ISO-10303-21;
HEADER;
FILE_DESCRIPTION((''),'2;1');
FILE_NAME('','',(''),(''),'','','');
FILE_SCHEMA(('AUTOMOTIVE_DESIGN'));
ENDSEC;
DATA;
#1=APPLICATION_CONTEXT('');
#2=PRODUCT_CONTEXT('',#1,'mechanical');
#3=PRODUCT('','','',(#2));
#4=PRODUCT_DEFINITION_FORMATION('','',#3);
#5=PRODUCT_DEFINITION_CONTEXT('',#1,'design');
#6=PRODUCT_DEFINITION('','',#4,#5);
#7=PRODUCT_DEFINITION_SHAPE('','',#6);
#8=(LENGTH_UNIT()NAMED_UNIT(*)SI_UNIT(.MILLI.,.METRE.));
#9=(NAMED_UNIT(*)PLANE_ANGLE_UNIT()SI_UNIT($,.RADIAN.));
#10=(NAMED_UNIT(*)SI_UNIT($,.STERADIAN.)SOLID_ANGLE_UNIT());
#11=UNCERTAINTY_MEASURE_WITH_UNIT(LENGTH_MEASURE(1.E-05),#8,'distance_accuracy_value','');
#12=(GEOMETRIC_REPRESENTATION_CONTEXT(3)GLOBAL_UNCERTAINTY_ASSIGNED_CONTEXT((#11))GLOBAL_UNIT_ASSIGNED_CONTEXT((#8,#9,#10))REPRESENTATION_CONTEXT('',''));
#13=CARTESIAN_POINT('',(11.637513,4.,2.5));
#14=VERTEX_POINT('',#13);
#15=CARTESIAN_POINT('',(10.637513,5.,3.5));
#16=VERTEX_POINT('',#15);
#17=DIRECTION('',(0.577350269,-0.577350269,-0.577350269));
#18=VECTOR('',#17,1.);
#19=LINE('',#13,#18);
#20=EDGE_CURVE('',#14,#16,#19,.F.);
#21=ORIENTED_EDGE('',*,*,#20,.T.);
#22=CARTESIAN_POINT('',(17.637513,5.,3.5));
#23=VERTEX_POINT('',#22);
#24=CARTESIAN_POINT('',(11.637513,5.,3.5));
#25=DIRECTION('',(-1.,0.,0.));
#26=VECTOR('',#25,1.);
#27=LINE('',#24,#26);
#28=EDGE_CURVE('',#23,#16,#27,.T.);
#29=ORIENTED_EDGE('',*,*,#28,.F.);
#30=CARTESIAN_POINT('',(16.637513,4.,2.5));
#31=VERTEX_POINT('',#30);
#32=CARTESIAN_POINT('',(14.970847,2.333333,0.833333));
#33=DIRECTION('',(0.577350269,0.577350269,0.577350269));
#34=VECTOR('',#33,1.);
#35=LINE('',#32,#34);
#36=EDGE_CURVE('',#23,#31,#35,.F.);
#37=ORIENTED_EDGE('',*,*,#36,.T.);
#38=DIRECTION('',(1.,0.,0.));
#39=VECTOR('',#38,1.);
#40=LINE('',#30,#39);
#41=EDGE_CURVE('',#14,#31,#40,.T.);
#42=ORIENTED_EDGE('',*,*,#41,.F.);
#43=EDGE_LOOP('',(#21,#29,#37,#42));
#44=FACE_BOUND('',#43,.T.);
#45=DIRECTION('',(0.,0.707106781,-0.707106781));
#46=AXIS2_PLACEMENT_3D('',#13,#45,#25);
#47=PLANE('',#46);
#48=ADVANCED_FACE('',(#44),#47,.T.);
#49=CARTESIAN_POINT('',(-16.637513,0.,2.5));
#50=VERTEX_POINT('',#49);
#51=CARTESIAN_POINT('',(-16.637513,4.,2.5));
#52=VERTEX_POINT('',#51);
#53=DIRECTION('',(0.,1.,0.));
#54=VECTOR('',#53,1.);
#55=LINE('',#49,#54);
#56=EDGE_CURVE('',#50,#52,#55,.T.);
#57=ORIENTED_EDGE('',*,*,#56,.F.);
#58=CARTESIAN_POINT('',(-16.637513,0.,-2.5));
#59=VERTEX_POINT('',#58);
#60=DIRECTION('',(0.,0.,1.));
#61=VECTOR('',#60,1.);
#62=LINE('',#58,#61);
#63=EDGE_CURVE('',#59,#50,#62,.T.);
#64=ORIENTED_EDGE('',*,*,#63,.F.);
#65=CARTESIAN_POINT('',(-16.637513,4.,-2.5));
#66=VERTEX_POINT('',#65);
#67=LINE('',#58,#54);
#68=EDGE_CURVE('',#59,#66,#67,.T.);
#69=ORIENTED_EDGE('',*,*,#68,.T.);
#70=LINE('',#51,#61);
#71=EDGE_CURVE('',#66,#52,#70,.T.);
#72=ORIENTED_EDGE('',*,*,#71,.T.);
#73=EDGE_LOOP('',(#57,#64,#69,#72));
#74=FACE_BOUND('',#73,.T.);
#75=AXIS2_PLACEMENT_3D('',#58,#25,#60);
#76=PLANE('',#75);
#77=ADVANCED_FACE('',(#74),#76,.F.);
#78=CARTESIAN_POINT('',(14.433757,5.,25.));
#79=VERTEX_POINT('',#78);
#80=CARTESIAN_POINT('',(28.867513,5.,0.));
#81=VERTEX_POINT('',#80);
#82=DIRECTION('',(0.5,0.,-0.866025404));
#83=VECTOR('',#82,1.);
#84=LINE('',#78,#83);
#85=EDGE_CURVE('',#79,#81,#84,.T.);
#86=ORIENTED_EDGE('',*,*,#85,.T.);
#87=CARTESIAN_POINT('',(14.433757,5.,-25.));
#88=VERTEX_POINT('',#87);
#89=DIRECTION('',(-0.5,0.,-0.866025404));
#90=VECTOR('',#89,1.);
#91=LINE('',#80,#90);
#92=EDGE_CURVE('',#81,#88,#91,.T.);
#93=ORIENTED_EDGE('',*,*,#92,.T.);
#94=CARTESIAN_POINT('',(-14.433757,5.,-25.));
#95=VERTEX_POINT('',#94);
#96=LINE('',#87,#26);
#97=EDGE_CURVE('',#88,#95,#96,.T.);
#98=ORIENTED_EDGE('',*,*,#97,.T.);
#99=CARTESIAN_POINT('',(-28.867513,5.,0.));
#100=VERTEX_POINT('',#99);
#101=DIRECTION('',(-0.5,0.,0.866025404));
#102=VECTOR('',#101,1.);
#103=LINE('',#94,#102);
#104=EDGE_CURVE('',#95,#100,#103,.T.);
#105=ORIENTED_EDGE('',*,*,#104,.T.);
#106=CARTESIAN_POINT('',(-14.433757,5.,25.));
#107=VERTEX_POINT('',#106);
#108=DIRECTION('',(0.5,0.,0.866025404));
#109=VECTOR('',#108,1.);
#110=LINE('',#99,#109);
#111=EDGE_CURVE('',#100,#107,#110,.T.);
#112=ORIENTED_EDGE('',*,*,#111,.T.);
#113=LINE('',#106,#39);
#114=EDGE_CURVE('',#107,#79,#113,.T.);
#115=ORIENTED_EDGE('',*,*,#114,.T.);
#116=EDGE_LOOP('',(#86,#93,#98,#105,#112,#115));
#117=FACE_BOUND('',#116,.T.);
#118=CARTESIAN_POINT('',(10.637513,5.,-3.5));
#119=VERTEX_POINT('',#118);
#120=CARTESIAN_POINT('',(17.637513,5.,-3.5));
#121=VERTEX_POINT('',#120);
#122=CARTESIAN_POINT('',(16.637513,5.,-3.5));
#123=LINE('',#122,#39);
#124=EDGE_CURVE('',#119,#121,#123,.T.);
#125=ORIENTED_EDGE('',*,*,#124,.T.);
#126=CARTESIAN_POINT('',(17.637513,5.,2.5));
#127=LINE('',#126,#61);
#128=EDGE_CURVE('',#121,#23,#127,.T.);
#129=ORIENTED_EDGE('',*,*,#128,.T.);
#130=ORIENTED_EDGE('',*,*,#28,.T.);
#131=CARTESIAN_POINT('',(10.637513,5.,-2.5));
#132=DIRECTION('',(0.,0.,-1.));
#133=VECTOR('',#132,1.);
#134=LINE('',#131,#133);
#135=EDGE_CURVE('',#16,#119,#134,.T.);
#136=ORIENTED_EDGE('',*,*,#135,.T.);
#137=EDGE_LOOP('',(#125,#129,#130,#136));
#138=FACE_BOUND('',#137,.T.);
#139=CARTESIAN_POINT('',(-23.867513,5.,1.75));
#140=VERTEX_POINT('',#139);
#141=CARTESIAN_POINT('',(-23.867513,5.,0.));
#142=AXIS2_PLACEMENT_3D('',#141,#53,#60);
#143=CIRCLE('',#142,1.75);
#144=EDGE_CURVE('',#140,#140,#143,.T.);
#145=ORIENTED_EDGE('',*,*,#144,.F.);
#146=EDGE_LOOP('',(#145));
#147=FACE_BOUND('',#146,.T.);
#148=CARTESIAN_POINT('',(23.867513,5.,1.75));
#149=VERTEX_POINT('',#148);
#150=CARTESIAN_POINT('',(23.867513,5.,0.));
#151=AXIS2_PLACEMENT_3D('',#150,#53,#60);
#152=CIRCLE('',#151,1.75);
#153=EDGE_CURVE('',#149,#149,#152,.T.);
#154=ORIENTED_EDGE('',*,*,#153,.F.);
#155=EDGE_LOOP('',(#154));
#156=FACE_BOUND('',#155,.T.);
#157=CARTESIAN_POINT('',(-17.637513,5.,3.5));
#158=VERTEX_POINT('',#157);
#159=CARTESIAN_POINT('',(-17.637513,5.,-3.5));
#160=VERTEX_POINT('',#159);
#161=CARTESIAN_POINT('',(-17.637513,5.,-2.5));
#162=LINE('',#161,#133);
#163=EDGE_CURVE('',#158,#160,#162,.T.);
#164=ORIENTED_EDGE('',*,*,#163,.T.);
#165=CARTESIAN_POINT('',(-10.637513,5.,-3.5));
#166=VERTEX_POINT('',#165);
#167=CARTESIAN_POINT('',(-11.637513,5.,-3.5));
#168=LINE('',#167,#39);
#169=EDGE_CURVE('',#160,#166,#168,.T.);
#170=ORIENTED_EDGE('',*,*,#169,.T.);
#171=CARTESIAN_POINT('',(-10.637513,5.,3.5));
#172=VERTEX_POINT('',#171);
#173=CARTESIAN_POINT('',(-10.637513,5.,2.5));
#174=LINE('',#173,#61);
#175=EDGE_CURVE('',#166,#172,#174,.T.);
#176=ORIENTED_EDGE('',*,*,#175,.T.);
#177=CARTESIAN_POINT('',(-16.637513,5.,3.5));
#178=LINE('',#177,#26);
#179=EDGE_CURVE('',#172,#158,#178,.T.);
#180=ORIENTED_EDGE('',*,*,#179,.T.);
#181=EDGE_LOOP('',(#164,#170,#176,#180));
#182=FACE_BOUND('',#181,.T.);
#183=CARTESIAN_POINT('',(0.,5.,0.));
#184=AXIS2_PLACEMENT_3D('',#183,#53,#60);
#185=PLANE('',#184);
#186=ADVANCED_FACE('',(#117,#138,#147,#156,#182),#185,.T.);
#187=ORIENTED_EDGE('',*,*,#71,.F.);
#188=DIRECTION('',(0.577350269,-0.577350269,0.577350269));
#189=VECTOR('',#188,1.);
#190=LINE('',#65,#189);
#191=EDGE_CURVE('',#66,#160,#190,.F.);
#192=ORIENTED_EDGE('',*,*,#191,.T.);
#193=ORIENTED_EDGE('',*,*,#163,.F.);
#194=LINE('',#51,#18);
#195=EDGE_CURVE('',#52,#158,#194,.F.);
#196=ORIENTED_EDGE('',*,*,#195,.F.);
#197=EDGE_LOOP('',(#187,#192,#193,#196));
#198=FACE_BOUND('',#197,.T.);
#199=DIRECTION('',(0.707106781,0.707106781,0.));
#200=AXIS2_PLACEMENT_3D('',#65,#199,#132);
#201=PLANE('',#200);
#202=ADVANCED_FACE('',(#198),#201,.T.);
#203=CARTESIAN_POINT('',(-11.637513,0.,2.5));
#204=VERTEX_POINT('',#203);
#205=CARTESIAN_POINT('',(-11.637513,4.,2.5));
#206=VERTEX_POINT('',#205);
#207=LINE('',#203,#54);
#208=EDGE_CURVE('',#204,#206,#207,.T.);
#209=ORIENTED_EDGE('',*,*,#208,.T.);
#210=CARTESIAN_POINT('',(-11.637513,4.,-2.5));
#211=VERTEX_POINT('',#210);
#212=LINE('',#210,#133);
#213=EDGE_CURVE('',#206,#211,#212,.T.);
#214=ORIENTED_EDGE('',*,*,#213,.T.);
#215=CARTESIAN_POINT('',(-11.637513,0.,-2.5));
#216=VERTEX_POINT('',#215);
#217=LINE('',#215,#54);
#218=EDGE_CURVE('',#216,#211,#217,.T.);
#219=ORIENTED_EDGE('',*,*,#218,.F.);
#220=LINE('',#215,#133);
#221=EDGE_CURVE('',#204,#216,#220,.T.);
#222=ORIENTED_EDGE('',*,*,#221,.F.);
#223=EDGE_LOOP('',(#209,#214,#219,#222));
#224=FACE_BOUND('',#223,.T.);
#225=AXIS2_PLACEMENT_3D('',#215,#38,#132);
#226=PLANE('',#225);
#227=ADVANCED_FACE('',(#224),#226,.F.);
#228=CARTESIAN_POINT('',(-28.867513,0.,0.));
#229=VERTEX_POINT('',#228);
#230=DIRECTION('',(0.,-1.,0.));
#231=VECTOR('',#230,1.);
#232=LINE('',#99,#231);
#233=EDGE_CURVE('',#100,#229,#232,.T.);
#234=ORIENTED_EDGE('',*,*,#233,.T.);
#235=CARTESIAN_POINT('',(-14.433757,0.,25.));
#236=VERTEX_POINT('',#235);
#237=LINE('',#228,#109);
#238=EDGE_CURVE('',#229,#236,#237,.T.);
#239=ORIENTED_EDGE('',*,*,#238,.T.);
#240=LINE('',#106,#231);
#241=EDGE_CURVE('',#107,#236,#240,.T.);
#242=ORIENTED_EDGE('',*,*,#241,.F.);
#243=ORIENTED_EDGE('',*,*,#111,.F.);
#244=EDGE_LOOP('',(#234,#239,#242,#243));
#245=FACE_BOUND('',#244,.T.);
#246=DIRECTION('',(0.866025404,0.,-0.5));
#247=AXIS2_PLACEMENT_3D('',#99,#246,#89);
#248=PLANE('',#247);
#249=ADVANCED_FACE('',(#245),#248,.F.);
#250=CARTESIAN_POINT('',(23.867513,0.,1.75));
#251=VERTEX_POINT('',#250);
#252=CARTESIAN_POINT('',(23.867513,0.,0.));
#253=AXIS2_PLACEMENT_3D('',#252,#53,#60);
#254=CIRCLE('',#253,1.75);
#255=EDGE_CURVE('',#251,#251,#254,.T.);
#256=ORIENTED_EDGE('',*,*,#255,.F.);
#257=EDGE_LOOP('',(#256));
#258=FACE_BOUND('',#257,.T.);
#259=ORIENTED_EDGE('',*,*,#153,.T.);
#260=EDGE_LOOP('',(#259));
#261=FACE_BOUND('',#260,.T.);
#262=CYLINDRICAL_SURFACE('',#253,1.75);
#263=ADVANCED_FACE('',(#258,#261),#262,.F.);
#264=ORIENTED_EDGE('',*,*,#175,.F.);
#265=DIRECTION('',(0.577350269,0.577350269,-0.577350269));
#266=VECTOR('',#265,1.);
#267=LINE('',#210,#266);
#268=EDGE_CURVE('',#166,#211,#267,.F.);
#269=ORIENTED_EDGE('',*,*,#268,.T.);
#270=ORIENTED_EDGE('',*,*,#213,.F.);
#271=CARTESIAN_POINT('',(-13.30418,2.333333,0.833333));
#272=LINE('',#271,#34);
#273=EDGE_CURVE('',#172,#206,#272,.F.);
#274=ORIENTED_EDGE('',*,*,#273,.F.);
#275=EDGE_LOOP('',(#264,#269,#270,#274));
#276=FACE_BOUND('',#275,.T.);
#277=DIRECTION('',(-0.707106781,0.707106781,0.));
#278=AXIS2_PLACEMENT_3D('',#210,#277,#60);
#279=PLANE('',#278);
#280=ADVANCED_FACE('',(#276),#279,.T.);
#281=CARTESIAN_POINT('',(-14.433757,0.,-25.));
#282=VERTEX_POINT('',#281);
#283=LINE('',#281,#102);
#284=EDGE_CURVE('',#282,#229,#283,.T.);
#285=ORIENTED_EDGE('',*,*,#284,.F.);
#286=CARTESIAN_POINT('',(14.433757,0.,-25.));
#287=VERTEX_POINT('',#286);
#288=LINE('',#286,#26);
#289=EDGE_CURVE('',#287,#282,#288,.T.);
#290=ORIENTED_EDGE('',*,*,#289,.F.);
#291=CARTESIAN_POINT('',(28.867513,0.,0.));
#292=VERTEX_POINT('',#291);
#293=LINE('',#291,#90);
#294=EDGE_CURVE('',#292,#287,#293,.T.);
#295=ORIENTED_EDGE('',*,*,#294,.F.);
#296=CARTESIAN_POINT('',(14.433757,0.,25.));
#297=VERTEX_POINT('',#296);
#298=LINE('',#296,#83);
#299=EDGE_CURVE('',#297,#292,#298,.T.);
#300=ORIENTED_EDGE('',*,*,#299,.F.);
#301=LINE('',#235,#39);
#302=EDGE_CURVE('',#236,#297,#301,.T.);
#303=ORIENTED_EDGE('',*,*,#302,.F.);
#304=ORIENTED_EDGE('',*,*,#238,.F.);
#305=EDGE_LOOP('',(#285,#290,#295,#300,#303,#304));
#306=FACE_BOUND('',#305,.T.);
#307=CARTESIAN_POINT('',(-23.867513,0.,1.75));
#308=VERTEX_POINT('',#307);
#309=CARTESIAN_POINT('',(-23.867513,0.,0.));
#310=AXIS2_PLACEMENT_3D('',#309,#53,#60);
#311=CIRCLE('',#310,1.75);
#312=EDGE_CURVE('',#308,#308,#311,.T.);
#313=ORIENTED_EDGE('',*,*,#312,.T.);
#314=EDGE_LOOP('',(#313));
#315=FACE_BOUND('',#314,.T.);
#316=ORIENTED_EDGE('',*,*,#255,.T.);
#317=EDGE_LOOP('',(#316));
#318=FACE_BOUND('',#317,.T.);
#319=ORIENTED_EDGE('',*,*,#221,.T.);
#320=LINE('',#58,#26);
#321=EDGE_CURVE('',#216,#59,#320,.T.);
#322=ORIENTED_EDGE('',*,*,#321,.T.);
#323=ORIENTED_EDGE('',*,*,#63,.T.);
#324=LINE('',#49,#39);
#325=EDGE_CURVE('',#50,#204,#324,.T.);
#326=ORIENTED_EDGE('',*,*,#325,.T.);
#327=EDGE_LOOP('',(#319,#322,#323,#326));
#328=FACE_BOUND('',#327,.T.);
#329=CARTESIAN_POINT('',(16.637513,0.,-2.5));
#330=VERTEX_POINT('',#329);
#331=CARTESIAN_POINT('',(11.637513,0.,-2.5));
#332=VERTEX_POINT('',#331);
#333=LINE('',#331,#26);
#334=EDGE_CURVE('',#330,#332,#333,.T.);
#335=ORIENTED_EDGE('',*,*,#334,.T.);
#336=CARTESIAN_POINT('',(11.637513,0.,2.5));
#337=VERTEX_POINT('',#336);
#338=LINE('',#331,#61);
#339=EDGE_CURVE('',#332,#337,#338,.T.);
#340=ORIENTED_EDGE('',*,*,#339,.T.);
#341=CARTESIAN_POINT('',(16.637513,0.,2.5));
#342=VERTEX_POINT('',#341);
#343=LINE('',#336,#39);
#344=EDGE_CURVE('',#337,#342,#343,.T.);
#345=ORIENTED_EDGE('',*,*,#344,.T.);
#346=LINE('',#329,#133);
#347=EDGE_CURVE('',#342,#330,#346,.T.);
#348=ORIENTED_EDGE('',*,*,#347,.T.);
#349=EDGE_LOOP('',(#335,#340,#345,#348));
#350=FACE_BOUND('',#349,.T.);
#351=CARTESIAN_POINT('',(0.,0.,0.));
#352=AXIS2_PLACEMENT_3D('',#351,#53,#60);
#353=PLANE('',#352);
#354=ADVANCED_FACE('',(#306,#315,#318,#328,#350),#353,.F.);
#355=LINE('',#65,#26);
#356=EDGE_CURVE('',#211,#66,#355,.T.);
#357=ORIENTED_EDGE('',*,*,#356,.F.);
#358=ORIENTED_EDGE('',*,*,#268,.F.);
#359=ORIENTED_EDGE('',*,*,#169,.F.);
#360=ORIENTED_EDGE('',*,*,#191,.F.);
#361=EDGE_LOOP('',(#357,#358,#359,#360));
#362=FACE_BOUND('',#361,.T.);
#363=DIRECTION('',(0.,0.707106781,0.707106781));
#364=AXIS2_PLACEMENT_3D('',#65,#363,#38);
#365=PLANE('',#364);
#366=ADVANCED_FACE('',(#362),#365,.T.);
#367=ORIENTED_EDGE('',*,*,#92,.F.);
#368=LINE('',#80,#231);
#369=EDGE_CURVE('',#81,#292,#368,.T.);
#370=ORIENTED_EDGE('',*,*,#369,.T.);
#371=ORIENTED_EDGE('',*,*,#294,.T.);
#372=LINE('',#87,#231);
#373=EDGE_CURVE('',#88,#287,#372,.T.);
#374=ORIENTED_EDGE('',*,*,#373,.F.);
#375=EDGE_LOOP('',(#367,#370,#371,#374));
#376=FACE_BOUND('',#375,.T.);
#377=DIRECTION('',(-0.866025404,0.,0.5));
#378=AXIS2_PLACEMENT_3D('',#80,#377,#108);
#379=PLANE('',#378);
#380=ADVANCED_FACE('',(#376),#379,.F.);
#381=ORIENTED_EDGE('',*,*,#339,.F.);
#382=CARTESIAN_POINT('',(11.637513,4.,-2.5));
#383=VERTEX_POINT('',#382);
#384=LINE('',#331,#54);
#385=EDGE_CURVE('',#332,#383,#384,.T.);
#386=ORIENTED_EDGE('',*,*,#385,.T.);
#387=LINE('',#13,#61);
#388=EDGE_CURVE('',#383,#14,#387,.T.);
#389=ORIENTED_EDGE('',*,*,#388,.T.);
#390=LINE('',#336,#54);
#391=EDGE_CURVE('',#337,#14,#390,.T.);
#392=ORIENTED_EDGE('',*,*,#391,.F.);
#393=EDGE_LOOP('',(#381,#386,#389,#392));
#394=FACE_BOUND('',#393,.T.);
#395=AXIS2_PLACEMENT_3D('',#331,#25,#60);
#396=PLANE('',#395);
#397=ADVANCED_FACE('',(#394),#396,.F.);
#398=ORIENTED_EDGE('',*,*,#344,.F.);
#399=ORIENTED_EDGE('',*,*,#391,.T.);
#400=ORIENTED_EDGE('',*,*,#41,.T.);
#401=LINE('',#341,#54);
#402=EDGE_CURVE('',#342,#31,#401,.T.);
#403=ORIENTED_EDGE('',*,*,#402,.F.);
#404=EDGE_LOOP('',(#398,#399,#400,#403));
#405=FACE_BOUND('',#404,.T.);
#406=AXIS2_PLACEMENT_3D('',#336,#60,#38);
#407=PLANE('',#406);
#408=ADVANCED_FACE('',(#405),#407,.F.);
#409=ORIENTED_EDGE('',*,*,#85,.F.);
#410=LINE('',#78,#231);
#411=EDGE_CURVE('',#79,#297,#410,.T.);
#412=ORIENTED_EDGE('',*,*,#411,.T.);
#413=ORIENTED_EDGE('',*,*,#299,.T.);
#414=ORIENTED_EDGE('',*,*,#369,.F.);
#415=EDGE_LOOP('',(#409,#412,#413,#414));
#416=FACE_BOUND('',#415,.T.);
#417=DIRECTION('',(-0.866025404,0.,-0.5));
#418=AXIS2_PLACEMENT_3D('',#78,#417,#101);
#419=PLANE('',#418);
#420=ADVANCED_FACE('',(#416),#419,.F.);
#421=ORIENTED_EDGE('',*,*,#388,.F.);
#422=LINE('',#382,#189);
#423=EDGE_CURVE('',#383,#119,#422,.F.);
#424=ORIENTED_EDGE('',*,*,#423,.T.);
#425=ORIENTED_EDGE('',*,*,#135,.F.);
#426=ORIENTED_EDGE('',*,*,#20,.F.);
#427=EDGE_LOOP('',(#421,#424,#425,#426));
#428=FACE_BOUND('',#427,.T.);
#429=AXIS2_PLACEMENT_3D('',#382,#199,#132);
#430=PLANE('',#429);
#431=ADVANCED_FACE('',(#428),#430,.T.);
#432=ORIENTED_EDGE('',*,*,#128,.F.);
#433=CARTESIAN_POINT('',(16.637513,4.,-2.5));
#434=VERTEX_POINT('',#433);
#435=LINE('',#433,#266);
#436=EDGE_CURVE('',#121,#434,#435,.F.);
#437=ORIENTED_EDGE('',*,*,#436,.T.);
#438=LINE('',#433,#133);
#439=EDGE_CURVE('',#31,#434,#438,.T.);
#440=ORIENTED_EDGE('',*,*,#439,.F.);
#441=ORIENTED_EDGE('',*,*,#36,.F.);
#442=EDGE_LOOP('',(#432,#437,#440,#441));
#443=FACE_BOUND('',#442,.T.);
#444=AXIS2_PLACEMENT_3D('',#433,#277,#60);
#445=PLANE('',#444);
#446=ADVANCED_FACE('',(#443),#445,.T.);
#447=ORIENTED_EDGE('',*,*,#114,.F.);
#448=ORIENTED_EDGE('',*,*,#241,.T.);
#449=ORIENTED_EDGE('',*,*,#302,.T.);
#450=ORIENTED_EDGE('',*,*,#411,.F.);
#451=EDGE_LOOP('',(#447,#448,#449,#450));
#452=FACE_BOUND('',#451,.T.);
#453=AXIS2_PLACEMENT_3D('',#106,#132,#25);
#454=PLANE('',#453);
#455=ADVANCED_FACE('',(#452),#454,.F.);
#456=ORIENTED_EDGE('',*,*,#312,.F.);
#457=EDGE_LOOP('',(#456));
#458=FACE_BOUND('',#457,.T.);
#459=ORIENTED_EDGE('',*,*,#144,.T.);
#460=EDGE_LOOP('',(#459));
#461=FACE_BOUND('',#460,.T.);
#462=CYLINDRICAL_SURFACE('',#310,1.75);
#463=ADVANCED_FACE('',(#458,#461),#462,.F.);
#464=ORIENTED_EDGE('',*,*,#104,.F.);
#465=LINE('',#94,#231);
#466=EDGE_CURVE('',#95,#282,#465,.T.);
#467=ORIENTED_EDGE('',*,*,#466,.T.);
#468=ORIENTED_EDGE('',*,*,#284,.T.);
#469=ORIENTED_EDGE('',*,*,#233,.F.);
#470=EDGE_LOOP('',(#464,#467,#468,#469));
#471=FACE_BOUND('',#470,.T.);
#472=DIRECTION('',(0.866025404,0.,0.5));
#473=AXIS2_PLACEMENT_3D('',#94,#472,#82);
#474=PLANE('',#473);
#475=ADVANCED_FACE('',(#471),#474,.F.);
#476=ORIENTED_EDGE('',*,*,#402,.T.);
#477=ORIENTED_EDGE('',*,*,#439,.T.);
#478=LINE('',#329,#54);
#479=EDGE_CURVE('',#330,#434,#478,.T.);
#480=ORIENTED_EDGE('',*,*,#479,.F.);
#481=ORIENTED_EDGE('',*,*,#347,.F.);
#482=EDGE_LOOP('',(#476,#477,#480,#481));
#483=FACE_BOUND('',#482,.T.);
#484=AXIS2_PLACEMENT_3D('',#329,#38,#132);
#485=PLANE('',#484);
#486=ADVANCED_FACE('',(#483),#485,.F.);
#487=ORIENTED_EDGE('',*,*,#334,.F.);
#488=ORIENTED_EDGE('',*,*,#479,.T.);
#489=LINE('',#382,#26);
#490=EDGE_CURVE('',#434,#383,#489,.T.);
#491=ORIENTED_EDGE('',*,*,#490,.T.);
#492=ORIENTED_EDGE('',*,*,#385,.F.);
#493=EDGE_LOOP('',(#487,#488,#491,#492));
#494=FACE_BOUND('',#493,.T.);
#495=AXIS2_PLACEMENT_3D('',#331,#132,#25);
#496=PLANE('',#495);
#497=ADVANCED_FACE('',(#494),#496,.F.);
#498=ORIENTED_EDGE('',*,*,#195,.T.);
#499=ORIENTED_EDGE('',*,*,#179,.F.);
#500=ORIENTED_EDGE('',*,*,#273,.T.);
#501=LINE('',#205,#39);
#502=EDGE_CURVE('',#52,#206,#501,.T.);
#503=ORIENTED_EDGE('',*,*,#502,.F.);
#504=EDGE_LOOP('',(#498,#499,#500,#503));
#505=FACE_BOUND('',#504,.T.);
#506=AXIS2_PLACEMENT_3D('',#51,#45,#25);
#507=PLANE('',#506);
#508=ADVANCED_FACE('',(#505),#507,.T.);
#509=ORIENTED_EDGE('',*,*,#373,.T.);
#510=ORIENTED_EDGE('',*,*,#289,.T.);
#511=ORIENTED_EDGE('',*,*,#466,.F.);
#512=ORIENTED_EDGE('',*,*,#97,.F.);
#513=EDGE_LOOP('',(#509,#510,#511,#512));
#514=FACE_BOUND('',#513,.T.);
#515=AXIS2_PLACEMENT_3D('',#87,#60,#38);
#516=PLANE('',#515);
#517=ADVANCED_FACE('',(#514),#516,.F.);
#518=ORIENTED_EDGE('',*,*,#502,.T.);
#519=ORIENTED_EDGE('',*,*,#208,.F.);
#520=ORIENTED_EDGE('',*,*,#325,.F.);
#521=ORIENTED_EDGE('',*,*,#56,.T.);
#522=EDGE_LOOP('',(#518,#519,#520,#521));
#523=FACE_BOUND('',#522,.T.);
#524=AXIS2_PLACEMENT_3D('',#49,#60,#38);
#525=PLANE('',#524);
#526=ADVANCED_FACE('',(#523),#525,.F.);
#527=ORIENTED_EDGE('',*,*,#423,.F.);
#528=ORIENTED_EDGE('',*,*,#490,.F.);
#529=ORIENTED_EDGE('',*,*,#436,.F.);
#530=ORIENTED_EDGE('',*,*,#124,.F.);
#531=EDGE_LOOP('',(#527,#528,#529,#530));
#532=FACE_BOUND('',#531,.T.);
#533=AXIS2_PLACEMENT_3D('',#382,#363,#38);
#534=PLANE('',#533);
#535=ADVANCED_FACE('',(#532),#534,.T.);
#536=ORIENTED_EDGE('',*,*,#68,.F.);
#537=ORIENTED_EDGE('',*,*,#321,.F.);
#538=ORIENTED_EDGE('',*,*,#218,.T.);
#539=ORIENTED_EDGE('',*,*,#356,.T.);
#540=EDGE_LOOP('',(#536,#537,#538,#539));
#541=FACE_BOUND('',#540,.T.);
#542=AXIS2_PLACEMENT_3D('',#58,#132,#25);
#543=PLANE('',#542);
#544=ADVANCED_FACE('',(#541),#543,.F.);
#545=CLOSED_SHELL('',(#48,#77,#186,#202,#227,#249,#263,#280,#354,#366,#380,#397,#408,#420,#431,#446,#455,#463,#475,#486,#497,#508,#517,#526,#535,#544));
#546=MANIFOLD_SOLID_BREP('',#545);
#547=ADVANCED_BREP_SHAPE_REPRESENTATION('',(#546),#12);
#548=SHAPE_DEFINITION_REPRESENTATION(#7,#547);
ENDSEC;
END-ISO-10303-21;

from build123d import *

# Parameters (mm, degrees)
BOSS_EXTRUDE1_DEPTH = 5
SKETCH2_R           = 1.75
SKETCH2_W           = 5
SKETCH2_H           = 5
CUT_EXTRUDE1_DEPTH  = 5
CHAMFER1_SIZE       = 1


with BuildPart() as part:
    # Sketch1 → Boss-Extrude1 (new body)
    with BuildSketch(Plane(origin=(0, 0, 0), x_dir=(1, 0, 0), z_dir=(0, 1, 0))):
        Polygon((-28.867513459, 0), (-14.43375673, -25), (14.43375673, -25), (28.867513459, 0), (14.43375673, 25), (-14.43375673, 25), align=None)
    extrude(amount=BOSS_EXTRUDE1_DEPTH)

    # Sketch2 → Cut-Extrude1 (cut)
    with BuildSketch(Plane(origin=(0, 5, 0), x_dir=(1, 0, 0), z_dir=(0, 1, 0))):
        with Locations(Location((-23.867513459, 0, 0), (0, 0, 270))):
            Circle(SKETCH2_R)
        with Locations(Location((23.867513459, 0, 0), (0, 0, 270))):
            Circle(SKETCH2_R)
        with Locations((-14.137513459, 0)):
            Rectangle(SKETCH2_W, SKETCH2_H)
        with Locations((14.137513459, 0)):
            Rectangle(SKETCH2_W, SKETCH2_H)
    extrude(amount=-CUT_EXTRUDE1_DEPTH, mode=Mode.SUBTRACT)

    # Chamfer1
    chamfer1_edges = [part.edges().sort_by_distance(p)[0] for p in [
        (-11.637513459, 5, 0),
        (-14.137513459, 5, -2.5),
        (-16.637513459, 5, 0),
        (-14.137513459, 5, 2.5),
        (16.637513459, 5, 0),
        (14.137513459, 5, -2.5),
        (11.637513459, 5, 0),
        (14.137513459, 5, 2.5),
    ]]
    chamfer(chamfer1_edges, length=CHAMFER1_SIZE)


solid = part.part
